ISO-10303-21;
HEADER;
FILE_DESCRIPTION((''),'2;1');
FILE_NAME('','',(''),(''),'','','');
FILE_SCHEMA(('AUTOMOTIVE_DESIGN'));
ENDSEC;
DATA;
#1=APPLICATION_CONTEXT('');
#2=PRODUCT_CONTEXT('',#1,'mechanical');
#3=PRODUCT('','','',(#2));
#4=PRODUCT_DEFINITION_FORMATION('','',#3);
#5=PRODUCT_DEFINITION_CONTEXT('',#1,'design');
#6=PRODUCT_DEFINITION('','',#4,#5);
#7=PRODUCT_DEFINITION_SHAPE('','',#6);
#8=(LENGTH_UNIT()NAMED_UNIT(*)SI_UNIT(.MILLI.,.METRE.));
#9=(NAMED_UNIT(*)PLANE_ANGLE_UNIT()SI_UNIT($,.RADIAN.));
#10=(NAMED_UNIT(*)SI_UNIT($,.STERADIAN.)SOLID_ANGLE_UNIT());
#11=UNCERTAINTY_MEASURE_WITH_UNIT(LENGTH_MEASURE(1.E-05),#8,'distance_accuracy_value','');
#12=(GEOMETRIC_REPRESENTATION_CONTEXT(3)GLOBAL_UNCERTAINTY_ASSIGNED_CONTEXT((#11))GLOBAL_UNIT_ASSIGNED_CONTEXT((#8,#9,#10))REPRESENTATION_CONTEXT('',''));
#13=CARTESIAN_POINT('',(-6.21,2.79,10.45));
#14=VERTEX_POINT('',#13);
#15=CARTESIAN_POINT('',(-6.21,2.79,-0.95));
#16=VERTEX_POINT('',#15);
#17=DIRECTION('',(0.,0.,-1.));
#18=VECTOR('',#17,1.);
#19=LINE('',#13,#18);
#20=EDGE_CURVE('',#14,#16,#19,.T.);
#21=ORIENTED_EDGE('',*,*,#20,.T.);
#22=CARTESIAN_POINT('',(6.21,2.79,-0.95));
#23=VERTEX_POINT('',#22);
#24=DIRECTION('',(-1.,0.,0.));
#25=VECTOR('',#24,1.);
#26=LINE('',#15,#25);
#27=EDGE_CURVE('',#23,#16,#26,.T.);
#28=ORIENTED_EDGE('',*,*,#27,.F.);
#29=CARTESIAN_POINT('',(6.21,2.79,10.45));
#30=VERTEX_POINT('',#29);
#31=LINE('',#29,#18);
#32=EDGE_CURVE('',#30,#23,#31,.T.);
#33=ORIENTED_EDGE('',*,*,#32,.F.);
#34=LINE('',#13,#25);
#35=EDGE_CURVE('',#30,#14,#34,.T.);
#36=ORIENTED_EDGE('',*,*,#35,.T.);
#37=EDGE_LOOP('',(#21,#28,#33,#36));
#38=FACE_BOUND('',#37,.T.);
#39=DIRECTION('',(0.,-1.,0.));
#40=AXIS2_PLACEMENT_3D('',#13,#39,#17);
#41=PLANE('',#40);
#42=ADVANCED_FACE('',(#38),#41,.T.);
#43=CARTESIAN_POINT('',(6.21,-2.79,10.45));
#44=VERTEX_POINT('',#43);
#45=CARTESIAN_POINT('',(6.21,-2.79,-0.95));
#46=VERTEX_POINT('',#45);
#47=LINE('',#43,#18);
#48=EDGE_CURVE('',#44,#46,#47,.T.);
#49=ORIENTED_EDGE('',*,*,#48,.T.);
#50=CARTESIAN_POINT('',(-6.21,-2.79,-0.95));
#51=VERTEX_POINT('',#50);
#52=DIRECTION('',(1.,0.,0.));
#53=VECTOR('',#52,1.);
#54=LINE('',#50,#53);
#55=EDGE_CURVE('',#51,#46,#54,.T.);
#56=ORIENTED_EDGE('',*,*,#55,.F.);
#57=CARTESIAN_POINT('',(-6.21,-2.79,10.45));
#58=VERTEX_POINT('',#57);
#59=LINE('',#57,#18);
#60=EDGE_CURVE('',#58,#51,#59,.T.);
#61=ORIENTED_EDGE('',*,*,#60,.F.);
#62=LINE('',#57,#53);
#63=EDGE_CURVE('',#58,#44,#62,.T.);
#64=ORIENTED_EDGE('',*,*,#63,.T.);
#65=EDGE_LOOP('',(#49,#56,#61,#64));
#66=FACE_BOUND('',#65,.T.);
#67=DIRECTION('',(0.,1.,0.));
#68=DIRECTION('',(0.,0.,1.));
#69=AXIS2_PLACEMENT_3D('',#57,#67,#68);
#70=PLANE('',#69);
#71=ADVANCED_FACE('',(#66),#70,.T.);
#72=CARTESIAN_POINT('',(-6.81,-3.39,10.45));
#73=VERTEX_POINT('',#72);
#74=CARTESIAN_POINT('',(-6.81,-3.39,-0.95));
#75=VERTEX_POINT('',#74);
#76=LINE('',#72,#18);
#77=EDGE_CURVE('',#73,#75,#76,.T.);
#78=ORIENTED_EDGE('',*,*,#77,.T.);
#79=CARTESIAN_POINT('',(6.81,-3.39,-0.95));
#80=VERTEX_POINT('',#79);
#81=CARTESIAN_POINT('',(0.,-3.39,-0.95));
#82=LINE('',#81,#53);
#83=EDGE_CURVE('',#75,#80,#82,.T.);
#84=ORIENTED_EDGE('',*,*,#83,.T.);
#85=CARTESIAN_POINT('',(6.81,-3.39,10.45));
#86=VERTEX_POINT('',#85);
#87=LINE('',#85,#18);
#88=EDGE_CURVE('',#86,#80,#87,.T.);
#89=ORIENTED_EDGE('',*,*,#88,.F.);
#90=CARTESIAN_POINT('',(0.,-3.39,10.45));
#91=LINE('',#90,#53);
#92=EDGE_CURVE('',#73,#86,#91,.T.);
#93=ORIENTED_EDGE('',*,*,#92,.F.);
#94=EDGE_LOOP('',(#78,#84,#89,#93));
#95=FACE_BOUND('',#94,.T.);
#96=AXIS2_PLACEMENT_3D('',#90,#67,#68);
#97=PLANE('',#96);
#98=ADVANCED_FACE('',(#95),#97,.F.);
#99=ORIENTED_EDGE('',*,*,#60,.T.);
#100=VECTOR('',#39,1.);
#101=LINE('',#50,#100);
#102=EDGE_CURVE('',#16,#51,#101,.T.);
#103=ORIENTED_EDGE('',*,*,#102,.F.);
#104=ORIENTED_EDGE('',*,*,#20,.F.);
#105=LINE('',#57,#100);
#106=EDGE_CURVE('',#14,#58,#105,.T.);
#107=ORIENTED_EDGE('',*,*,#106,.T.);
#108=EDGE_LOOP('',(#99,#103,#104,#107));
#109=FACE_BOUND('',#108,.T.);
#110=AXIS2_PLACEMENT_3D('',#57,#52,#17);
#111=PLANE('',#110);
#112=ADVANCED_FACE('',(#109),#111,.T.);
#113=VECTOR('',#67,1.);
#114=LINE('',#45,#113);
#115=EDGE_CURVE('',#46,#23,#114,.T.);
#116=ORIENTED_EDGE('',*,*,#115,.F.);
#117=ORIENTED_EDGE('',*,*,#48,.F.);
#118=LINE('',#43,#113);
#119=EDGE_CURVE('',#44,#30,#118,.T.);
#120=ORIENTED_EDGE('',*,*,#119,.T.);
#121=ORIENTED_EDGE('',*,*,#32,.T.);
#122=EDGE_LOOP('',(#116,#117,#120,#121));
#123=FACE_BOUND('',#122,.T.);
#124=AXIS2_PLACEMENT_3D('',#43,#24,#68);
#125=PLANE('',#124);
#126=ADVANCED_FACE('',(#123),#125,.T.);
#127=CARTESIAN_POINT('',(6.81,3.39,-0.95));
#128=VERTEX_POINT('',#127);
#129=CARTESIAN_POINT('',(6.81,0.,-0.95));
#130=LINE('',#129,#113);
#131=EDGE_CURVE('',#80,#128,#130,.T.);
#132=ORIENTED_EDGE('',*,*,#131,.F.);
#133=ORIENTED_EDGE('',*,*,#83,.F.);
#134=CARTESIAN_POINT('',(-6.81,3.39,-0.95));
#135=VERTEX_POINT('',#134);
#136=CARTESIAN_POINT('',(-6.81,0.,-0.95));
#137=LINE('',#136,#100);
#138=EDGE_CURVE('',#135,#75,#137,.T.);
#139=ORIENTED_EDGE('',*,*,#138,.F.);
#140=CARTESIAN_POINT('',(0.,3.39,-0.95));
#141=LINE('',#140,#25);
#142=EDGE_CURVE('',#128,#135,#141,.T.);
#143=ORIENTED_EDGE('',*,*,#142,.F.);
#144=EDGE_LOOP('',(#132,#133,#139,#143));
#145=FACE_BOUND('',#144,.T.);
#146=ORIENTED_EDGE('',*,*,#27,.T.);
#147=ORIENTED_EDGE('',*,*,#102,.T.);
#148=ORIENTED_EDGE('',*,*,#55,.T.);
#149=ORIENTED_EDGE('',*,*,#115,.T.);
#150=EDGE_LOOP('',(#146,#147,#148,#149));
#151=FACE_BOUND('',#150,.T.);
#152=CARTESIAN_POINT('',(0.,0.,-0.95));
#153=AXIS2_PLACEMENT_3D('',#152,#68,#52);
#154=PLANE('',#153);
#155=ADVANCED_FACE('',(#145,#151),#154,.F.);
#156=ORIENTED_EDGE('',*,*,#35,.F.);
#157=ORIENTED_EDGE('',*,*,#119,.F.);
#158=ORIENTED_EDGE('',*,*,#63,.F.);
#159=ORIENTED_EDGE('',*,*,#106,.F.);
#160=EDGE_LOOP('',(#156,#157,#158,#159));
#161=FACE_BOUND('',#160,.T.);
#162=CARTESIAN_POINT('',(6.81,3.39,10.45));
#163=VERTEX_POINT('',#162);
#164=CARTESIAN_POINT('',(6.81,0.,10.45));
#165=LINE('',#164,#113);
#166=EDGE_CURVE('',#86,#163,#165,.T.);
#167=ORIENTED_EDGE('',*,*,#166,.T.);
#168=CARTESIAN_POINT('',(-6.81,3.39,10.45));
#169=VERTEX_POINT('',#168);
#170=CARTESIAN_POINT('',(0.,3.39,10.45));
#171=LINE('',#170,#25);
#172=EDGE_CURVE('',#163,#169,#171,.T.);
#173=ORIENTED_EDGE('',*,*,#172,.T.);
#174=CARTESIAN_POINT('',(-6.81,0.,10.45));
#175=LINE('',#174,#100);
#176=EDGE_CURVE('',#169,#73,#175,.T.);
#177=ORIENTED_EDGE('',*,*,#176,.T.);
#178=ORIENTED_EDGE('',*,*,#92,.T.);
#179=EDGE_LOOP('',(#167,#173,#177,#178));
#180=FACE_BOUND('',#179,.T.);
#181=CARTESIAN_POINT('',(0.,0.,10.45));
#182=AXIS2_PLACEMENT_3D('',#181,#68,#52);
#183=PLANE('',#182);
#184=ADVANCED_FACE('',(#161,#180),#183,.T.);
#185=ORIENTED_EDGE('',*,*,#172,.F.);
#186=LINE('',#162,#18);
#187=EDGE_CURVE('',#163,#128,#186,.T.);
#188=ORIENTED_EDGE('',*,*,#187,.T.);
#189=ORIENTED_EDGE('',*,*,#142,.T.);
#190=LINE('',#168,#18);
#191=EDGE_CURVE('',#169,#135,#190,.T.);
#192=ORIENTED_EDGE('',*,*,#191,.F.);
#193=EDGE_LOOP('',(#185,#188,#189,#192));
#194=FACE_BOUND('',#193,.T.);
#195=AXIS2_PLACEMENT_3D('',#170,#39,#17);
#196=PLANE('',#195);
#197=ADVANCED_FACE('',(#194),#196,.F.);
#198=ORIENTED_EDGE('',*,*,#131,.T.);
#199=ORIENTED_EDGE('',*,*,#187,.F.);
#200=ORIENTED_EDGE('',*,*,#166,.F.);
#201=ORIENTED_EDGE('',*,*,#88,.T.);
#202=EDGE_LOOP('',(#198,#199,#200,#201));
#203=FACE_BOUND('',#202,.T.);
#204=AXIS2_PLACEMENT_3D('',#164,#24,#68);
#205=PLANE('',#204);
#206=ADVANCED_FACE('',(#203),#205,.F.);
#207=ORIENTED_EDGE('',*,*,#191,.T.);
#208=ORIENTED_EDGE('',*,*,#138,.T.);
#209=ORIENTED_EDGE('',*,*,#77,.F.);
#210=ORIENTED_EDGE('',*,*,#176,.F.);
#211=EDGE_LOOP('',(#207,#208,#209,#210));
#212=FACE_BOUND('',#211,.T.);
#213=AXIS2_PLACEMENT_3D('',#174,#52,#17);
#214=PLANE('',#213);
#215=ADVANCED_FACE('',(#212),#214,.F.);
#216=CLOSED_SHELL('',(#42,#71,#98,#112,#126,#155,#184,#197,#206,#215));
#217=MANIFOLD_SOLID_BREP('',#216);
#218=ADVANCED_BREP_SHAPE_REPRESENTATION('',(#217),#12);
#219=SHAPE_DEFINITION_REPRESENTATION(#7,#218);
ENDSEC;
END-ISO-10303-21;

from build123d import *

# Parameters (mm, degrees)
SKETCH_1_W      = 11.35
SKETCH_1_H      = 5.65
SKETCH_1_W_2    = 10.35
SKETCH_1_H_2    = 4.65
EXTRUDE_1_DEPTH = 9.5
SCALE_1_SCALE   = 1.2


with BuildPart() as part:
    # 草图1 → 拉伸-薄壁1 (new body)
    with BuildSketch(Plane.XY):
        Rectangle(SKETCH_1_W, SKETCH_1_H)
        Rectangle(SKETCH_1_W_2, SKETCH_1_H_2, mode=Mode.SUBTRACT)
    extrude(amount=EXTRUDE_1_DEPTH)


with BuildPart() as part_1:
    # 缩放比例1: scaled about (0, 0, 4.75)
    add(part.part.scale(SCALE_1_SCALE).moved(Location((0, 0, -0.95))))


solid = part_1.part
